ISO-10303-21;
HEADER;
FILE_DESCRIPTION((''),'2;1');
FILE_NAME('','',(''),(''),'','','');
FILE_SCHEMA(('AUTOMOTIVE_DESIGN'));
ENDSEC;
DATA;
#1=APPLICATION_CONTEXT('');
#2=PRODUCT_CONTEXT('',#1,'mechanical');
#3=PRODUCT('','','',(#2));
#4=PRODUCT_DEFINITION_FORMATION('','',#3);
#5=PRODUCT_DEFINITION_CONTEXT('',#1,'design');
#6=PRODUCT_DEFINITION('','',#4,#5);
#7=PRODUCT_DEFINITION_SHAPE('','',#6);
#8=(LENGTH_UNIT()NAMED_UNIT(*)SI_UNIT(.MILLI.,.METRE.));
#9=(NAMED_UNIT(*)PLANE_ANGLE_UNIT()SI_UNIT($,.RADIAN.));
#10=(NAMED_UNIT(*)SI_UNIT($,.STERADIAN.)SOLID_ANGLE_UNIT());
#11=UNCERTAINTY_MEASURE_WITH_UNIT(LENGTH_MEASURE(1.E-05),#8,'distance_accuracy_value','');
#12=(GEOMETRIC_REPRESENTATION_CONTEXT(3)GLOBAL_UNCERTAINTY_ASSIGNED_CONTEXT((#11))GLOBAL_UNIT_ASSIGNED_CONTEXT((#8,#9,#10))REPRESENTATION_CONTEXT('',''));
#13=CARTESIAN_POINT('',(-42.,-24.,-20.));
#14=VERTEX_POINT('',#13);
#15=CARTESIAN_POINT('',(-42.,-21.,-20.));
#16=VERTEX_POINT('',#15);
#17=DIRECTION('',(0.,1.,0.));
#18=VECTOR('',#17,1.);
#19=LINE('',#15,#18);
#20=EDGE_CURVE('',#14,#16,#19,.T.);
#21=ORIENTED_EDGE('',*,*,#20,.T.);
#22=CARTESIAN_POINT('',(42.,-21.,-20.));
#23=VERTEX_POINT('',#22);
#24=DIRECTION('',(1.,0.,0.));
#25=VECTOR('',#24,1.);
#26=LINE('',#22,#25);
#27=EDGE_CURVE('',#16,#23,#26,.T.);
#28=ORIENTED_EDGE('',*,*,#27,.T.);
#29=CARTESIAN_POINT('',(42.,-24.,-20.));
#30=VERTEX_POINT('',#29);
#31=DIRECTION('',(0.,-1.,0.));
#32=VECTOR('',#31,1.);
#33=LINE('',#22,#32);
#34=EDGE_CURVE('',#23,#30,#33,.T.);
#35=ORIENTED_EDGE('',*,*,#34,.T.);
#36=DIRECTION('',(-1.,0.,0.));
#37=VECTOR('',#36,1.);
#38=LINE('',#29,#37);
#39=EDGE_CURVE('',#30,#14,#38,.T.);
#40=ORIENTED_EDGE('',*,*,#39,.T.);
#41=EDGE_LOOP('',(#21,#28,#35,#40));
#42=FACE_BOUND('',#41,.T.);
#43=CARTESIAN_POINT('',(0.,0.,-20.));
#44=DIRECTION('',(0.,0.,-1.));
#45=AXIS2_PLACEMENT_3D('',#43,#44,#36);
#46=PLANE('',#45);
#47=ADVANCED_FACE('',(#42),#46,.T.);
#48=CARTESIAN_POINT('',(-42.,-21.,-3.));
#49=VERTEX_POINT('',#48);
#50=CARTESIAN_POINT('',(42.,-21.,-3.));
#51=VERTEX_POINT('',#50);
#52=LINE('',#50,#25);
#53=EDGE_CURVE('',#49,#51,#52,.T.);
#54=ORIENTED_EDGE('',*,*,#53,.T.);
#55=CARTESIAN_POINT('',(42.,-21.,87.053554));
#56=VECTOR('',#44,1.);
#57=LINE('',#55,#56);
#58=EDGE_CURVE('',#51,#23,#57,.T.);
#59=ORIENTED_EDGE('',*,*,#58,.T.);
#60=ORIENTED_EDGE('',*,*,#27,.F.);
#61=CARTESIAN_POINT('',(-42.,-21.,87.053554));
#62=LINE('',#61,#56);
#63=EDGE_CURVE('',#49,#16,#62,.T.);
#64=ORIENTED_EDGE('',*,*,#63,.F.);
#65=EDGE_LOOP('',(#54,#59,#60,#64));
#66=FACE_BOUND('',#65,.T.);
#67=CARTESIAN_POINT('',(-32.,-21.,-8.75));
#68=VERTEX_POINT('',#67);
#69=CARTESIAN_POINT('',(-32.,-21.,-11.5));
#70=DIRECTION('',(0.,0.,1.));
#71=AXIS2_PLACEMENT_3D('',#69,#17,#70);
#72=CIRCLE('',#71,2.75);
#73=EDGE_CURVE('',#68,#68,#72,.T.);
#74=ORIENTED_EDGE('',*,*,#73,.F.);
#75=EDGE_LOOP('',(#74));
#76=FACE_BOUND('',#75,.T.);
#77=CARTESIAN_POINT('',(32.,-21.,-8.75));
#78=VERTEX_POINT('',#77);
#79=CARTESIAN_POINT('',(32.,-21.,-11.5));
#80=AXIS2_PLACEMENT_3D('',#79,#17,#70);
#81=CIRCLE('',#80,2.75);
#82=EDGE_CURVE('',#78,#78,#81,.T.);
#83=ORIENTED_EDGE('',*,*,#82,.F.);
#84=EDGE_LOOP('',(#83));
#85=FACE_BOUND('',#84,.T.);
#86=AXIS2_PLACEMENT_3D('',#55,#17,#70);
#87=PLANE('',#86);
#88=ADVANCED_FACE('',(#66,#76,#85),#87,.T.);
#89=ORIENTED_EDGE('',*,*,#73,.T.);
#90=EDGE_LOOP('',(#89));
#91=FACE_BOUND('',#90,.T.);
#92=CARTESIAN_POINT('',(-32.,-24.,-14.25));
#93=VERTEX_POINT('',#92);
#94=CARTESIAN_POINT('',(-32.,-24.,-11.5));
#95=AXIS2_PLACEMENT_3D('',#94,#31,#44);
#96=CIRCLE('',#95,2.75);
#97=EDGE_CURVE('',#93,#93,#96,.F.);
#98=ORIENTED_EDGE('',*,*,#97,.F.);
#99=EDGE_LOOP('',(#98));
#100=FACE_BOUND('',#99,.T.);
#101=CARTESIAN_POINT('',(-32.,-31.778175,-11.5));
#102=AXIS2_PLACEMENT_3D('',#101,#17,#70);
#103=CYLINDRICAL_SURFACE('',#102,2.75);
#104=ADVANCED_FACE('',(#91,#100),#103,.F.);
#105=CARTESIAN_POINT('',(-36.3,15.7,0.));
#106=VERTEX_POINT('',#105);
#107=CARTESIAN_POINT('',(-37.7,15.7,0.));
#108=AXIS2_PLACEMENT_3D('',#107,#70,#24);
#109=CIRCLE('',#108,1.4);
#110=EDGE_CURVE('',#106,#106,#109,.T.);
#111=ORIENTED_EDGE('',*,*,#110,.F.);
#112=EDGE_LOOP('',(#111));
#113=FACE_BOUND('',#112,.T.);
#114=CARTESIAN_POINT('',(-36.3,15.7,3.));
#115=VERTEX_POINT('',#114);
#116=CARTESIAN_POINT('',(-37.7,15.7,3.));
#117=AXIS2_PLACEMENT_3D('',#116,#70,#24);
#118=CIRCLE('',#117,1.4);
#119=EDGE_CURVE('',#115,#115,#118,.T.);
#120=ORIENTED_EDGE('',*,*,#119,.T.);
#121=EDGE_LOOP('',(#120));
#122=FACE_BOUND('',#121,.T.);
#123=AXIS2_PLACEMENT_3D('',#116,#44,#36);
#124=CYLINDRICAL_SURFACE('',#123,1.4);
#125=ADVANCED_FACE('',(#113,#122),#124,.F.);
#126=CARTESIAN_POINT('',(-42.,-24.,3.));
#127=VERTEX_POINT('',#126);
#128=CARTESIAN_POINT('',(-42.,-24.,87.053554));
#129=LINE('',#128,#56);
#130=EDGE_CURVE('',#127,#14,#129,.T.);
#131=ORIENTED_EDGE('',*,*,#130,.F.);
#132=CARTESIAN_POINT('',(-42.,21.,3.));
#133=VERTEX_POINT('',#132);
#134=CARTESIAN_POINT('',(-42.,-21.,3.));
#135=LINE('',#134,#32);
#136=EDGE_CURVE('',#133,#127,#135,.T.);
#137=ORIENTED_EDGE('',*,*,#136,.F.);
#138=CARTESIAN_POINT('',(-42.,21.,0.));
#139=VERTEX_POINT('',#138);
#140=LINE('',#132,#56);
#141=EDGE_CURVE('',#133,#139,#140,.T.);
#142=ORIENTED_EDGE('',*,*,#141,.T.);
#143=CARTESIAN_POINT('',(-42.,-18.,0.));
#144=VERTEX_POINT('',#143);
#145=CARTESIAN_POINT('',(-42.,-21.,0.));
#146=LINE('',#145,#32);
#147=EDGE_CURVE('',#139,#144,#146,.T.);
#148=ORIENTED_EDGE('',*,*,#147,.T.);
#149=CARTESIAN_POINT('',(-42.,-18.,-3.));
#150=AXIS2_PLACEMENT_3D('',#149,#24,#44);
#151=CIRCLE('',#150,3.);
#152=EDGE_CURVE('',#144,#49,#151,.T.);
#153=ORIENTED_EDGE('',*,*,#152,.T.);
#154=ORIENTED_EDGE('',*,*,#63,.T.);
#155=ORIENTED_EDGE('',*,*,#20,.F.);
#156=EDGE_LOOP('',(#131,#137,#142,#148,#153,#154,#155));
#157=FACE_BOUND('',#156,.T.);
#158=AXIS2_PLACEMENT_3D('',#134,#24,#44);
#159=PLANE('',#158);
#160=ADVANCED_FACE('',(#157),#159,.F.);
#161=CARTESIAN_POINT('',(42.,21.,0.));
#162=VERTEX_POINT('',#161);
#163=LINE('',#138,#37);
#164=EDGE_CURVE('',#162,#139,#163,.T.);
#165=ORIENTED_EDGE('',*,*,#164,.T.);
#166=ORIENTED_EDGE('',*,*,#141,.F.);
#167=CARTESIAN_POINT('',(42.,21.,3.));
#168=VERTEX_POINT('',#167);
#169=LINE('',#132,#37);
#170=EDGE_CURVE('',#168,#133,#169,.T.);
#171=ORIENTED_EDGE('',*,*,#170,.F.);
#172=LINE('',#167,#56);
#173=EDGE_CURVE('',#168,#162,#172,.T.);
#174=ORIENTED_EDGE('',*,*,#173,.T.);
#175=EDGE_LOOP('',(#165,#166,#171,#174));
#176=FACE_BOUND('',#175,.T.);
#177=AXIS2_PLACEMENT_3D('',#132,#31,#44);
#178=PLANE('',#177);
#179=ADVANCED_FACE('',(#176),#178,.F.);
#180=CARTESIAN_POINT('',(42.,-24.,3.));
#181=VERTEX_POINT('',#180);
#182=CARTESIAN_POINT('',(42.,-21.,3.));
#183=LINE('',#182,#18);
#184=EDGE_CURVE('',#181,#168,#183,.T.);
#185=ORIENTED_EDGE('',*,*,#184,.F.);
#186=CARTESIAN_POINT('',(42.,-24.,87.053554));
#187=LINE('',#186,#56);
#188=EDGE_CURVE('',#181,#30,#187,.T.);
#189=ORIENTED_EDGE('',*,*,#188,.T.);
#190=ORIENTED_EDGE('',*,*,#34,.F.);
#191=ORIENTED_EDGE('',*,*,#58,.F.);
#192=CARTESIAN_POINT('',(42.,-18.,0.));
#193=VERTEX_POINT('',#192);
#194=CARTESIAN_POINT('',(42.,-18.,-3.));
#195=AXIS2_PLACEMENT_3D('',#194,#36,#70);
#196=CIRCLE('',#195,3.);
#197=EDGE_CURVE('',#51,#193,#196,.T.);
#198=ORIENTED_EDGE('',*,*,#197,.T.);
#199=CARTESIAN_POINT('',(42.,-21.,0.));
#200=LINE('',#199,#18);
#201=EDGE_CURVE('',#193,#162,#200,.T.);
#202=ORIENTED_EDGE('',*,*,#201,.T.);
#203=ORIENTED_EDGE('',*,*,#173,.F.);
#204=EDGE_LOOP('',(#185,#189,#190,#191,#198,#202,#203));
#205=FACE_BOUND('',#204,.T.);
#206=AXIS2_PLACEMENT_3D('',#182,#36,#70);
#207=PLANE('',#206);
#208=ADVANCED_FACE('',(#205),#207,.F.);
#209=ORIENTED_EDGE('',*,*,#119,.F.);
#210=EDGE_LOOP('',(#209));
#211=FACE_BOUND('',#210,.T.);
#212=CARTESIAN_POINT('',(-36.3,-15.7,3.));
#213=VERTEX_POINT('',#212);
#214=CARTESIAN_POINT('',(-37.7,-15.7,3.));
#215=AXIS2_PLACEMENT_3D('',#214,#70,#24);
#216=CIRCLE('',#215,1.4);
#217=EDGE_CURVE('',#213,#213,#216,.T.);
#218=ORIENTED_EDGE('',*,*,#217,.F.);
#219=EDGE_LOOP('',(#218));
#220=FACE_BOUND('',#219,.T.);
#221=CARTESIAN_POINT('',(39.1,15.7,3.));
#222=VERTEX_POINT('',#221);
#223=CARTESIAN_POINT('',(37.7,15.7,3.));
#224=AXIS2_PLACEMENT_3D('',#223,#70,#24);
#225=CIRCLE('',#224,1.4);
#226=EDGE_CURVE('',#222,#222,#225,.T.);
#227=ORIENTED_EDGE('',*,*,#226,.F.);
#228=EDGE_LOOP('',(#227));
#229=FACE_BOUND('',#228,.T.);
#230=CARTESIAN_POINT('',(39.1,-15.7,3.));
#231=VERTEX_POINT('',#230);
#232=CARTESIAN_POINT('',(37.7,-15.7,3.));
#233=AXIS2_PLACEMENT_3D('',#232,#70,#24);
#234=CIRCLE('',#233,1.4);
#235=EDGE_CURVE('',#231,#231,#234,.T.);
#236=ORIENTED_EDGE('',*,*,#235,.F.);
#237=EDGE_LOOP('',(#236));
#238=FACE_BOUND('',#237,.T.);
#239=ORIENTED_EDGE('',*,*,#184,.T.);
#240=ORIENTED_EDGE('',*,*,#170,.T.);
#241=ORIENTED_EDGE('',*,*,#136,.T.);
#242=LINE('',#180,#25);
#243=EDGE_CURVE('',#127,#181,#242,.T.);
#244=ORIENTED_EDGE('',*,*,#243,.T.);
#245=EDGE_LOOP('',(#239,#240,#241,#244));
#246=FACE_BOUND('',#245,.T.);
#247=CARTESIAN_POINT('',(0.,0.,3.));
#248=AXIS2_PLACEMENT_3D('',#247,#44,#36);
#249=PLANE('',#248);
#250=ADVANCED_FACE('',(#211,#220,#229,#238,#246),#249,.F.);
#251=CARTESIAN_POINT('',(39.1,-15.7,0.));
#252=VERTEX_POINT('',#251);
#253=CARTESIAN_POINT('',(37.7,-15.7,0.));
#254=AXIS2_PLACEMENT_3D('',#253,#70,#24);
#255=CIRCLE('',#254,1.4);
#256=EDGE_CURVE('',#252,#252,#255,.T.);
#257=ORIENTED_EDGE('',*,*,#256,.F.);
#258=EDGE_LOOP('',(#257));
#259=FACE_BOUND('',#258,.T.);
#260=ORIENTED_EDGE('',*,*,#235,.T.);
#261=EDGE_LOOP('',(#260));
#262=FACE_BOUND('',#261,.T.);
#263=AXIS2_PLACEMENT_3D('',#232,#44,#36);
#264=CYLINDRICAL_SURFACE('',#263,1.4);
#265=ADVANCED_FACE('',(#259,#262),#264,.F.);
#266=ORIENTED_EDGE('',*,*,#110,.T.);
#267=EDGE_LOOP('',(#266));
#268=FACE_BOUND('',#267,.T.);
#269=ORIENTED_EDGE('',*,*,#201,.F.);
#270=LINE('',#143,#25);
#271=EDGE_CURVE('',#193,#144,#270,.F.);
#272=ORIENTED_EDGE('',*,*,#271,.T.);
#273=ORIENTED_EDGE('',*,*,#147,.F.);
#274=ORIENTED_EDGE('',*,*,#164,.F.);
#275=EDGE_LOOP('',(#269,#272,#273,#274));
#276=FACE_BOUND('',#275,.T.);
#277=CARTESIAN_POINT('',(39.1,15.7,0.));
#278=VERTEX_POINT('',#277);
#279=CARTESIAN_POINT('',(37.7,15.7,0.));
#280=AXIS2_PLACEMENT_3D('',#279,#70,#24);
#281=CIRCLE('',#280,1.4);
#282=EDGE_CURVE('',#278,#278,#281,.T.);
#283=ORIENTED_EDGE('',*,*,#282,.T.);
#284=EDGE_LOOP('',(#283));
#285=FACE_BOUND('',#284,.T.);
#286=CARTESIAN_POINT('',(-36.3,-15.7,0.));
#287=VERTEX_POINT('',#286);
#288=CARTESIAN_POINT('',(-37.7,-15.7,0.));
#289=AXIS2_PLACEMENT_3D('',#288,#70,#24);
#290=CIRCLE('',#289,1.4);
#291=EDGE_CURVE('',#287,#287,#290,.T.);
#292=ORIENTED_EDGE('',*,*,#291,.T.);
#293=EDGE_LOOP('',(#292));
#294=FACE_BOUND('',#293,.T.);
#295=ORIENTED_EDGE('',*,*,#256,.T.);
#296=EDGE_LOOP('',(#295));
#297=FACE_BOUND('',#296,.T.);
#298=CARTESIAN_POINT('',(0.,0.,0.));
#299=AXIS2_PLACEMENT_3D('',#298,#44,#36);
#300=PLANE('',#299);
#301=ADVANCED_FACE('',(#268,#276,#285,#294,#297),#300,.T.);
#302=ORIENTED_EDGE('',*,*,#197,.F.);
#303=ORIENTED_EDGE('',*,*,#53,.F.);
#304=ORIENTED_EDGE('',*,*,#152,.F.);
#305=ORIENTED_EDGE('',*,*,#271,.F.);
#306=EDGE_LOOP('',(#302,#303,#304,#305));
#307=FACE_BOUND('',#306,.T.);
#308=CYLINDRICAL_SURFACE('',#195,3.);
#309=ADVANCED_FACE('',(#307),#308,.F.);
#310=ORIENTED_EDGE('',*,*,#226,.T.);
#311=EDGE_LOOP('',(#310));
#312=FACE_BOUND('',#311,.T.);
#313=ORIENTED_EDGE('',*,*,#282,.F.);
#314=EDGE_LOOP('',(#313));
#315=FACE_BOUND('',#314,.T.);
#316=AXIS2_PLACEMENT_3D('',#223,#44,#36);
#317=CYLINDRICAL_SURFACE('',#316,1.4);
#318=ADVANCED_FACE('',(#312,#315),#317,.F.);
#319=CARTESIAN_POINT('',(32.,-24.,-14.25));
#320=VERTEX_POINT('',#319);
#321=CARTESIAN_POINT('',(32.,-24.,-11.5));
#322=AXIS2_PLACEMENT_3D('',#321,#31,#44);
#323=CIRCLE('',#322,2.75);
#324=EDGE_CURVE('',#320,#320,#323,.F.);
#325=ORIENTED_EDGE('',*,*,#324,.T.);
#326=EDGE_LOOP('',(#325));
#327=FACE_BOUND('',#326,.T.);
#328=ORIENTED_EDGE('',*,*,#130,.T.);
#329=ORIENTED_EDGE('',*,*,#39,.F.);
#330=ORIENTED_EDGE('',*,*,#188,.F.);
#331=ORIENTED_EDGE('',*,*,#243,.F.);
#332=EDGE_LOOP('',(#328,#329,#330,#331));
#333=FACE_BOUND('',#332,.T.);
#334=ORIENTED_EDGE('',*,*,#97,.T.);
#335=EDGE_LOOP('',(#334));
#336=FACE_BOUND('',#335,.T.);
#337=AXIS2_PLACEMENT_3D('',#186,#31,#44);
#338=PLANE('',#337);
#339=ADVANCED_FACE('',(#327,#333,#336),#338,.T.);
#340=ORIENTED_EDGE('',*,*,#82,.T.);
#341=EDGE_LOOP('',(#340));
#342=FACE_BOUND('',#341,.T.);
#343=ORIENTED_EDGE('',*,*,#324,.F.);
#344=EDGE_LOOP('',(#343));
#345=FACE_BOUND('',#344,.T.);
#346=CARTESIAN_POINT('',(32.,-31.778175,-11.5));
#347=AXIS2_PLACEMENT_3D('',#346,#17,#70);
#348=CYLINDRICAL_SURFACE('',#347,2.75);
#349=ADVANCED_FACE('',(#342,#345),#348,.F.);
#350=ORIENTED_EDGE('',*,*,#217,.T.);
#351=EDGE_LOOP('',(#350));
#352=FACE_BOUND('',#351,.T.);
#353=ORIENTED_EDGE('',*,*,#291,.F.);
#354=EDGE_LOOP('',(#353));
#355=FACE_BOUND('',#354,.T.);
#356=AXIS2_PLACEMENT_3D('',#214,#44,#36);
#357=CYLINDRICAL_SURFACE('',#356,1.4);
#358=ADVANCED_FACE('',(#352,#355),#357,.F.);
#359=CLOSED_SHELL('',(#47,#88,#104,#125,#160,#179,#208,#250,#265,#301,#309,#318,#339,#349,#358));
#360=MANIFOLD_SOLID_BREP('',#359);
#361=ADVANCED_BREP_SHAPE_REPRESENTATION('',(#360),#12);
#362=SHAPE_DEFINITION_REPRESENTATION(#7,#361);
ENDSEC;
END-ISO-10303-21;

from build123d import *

# Parameters (mm, degrees)
SKETCH1_W                = 84
SKETCH1_H                = 42
SKETCH1_R                = 1.4
BOSS_EXTRUDE1_DEPTH      = 3
BOSS_EXTRUDE2_DEPTH      = 20
BOSS_EXTRUDE2_DEPTH_BACK = 3
SKETCH2_W                = 84
SKETCH2_H                = 3
FILLET1_R                = 3
SKETCH5_R                = 2.75
CUT_EXTRUDE1_DEPTH       = 3


with BuildPart() as part:
    # Sketch1 → Boss-Extrude1 (new body)
    with BuildSketch(Plane.XY):
        Rectangle(SKETCH1_W, SKETCH1_H)
        with Locations((-37.7, 15.7)):
            Circle(SKETCH1_R, mode=Mode.SUBTRACT)
        with Locations((37.7, 15.7)):
            Circle(SKETCH1_R, mode=Mode.SUBTRACT)
        with Locations((37.7, -15.7)):
            Circle(SKETCH1_R, mode=Mode.SUBTRACT)
        with Locations((-37.7, -15.7)):
            Circle(SKETCH1_R, mode=Mode.SUBTRACT)
    extrude(amount=BOSS_EXTRUDE1_DEPTH)

    # Sketch2 → Boss-Extrude2 (add, two sides: drawn at the far end of the back side and taken through both)
    with BuildSketch(Plane(origin=(0, 0, 0), x_dir=(-1, 0, 0), z_dir=(0, 0, -1)).offset(-BOSS_EXTRUDE2_DEPTH_BACK)):
        with Locations((0, -22.5)):
            Rectangle(SKETCH2_W, SKETCH2_H)
    extrude(amount=BOSS_EXTRUDE2_DEPTH + BOSS_EXTRUDE2_DEPTH_BACK)

    # Fillet1
    fillet1_edges = [part.edges().sort_by_distance(p)[0] for p in [
        (0, -21, 0),
    ]]
    fillet(fillet1_edges, radius=FILLET1_R)

    # Sketch5 → Cut-Extrude1 (cut)
    with BuildSketch(Plane(origin=(0, -21, 0), x_dir=(1, 0, 0), z_dir=(0, 1, 0))):
        with Locations(Location((-32, 11.5, 0), (0, 0, 270))):
            Circle(SKETCH5_R)
        with Locations(Location((32, 11.5, 0), (0, 0, 270))):
            Circle(SKETCH5_R)
    extrude(amount=-CUT_EXTRUDE1_DEPTH, mode=Mode.SUBTRACT)


solid = part.part
